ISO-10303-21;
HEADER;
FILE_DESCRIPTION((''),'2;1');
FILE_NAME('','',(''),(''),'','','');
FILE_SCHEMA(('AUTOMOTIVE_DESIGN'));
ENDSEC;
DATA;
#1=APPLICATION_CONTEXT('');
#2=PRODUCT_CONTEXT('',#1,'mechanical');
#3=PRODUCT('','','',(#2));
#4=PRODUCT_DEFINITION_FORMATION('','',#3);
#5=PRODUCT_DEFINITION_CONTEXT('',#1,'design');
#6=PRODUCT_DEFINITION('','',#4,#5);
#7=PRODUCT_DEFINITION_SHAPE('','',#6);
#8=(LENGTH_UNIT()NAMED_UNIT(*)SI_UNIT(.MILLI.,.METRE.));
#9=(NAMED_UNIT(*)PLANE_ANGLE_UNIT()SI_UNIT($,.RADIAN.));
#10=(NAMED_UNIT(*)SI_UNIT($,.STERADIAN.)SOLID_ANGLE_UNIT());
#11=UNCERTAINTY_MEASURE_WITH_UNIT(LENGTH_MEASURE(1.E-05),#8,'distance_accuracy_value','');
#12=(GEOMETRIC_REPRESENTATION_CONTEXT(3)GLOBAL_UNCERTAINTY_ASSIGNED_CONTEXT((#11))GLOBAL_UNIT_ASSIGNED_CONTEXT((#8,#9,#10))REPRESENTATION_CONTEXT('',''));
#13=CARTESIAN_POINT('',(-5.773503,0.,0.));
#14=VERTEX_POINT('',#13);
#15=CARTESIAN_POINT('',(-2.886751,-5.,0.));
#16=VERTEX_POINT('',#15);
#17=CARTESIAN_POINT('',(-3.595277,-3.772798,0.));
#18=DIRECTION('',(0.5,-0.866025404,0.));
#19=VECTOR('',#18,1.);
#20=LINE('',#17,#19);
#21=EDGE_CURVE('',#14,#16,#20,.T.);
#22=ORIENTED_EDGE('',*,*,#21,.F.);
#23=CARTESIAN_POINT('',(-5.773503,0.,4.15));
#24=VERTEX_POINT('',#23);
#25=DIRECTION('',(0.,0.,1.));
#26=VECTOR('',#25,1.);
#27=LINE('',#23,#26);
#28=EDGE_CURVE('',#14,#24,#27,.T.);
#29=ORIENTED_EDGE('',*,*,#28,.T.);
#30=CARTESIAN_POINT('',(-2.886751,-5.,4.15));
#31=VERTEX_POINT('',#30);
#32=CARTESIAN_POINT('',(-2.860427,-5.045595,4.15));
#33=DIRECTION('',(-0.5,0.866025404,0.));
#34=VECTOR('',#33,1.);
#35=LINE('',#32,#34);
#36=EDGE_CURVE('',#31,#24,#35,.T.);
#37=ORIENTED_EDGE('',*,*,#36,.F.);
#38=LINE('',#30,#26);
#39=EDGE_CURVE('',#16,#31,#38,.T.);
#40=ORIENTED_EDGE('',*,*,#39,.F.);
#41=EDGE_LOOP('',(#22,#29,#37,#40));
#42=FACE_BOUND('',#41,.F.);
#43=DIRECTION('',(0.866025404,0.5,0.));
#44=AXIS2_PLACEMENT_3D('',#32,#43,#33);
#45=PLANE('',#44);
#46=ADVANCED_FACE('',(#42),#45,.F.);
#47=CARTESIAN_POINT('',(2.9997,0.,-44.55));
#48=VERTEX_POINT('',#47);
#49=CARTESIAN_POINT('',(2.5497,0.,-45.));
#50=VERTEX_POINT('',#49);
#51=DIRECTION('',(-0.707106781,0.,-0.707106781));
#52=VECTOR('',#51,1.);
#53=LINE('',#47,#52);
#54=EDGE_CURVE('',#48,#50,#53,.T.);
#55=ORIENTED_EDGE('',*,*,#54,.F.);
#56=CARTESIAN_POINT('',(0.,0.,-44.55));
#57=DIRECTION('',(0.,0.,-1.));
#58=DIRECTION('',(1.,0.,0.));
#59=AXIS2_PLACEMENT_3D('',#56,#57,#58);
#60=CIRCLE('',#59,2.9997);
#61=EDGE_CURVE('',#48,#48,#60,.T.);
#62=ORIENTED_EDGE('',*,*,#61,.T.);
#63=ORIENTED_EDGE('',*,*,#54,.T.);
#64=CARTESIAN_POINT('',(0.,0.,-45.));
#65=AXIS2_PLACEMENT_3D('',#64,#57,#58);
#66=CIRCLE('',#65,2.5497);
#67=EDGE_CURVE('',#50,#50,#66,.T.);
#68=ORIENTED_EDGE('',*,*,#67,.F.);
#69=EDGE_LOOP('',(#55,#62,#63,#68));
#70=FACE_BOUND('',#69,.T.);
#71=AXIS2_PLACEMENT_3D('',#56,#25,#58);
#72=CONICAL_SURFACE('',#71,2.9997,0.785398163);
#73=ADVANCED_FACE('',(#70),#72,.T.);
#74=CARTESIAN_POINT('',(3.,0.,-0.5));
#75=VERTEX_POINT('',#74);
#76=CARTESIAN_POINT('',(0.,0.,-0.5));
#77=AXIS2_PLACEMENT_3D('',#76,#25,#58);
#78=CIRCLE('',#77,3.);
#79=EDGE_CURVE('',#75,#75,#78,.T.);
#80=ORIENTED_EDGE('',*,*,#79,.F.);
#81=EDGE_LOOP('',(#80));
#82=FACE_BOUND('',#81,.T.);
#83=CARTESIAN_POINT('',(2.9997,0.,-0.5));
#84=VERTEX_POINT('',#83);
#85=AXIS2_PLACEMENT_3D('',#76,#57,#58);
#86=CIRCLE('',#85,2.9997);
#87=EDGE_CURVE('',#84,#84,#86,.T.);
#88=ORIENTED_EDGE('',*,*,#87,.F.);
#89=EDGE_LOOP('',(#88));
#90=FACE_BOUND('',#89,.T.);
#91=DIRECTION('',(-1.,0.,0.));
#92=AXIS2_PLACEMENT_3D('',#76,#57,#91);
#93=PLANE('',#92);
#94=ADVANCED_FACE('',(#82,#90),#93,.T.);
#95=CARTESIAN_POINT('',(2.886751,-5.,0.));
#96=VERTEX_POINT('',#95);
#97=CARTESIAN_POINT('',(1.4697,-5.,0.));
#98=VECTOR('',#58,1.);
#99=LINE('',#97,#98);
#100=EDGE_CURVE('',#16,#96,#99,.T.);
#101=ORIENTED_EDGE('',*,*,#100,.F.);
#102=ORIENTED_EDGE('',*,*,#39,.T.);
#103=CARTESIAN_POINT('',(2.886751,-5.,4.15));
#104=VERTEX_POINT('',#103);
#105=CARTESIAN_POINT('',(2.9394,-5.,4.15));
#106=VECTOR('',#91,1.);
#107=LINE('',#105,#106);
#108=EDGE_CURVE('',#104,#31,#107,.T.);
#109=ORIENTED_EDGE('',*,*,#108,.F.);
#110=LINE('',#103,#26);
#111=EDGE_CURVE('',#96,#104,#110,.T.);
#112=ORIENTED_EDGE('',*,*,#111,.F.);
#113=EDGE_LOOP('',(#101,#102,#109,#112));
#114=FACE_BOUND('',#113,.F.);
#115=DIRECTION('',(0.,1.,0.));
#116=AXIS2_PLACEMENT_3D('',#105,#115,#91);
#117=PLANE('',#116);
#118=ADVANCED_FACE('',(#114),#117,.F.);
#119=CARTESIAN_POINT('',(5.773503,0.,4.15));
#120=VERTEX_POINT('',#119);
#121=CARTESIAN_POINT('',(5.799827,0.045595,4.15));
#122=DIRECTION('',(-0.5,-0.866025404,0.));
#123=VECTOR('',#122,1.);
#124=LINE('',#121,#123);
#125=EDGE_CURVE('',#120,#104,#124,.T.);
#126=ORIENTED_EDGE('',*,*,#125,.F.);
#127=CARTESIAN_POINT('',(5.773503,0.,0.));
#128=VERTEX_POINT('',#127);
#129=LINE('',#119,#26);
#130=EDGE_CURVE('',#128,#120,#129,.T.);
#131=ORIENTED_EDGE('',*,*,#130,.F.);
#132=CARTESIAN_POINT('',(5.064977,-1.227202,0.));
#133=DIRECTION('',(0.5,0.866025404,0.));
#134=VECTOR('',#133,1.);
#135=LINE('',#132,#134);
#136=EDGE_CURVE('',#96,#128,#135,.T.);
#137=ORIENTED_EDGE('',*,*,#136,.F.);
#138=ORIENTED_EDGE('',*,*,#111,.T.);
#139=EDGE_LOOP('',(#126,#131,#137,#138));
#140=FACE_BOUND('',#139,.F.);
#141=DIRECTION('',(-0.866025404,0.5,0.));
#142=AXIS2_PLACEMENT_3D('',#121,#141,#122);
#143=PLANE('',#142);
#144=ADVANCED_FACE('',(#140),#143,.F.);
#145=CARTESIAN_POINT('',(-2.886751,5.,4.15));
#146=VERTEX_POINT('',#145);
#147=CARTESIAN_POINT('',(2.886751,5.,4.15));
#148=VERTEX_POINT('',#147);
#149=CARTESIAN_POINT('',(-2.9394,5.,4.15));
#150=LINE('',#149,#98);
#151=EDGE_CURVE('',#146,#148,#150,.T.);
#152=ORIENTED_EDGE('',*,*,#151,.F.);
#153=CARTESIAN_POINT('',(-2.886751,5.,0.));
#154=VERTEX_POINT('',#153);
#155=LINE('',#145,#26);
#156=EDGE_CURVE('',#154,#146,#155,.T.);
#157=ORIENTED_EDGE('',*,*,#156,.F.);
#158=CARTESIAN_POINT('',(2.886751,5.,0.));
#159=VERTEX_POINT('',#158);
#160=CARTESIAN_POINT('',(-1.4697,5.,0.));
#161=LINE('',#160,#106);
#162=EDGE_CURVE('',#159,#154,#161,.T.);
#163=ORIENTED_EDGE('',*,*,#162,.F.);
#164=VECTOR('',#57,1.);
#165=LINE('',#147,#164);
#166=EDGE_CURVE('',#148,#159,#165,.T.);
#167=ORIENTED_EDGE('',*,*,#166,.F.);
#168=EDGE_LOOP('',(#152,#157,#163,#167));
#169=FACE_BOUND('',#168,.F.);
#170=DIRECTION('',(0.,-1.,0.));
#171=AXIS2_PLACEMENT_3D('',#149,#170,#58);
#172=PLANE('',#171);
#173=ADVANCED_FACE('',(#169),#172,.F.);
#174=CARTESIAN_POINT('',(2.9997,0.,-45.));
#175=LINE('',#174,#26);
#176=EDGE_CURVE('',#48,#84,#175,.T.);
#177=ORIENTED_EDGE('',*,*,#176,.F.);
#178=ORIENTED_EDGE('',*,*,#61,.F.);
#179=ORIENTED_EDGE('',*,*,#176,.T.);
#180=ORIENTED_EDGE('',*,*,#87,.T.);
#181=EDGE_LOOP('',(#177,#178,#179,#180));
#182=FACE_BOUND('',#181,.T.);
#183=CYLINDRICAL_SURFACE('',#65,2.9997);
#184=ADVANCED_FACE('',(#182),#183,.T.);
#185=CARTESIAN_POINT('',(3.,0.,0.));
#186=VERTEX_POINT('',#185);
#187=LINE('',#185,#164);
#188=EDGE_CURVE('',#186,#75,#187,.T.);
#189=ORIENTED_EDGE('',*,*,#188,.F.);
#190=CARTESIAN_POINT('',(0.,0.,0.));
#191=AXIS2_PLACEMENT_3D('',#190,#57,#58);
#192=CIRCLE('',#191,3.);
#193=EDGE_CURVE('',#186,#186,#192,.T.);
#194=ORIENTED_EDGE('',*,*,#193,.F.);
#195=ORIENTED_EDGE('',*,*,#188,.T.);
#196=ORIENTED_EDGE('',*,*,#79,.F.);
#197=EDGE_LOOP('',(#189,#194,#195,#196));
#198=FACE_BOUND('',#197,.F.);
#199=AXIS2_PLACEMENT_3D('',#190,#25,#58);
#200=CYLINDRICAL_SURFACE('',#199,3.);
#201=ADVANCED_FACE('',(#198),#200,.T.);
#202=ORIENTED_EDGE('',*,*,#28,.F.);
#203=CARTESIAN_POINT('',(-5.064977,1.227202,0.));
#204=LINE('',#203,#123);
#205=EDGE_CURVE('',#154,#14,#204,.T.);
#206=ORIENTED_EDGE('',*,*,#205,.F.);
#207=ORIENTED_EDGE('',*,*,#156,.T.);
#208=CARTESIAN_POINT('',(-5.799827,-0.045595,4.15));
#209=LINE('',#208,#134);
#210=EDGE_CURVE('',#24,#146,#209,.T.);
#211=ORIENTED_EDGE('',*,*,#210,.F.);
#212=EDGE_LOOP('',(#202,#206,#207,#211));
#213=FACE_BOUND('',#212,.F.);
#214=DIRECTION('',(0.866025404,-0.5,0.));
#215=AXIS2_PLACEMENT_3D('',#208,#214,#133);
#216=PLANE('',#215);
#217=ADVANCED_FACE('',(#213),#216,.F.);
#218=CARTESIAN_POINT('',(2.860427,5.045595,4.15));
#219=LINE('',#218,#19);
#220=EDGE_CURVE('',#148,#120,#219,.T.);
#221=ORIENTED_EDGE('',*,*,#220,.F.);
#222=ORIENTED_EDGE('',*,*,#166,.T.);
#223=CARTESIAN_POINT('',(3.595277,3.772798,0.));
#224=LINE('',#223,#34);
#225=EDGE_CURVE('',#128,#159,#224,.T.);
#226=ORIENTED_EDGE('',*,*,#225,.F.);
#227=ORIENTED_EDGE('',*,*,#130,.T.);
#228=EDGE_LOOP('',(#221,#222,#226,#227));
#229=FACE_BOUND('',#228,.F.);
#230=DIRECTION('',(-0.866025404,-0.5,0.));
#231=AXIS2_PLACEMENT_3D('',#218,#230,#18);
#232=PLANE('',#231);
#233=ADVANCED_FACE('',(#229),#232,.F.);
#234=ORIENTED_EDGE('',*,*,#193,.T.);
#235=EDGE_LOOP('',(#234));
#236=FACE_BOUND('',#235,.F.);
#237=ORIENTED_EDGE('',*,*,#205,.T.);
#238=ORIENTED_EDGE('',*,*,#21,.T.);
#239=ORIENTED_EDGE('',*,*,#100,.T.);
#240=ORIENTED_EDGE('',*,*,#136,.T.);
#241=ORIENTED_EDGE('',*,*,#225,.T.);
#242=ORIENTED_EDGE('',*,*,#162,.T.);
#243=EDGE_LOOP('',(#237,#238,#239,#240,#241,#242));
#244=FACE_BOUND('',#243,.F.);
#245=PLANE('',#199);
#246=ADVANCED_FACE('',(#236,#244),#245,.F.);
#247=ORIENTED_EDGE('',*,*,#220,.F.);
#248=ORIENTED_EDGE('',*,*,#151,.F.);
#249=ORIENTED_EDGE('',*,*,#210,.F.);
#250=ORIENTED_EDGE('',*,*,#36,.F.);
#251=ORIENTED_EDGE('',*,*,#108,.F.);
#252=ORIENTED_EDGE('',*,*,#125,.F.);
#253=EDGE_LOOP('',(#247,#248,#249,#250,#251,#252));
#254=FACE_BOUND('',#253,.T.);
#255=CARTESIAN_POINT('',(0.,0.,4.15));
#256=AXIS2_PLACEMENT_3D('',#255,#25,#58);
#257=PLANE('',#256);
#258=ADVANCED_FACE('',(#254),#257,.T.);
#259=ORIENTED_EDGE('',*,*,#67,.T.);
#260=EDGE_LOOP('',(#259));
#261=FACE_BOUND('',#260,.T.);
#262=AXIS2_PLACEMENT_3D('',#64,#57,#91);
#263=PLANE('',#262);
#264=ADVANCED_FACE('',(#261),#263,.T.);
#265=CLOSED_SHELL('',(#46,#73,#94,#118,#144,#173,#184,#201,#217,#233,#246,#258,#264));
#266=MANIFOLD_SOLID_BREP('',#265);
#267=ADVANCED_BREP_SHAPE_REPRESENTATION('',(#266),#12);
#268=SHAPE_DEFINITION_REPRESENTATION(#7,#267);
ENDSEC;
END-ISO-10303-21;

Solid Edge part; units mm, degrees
sketch "Sketch1" plane through (0, 0, 0) normal (0, 0, 1) x (1, 0, 0)
  circle A0 centre (0, 0) radius 5.8
  dimension "D1" = 11.6
extrude "Protrusion1" add sketch "Sketch1" along normal blind 4.15
sketch "Sketch2" plane through (0, 0, 0) normal (0, 0, -1) x (1, 0, 0)
  circle A0 centre (0, 0) radius 3
extrude "Protrusion2" add sketch "Sketch2" along normal blind 45
sketch "Sketch3" plane through (0, 0, -45) normal (0, 0, -1) x (1, 0, 0)
  circle A0 centre (0, 0) radius 2.9997
extrude "Cutout1" cut sketch "Sketch3" against normal blind 44.5 flip side to cut
chamfer "Chamfer_1" distance 0.45 angle 45 1 edges at (-2.9997, 0, -45)
sketch "Sketch4" plane through (0, 0, 4.15) normal (0, 0, 1) x (1, 0, 0)
  line L0 (-2.9394, 5) -> (2.9394, 5)
  dimension "D1" = 10
extrude "Cutout2" cut sketch "Sketch4" against normal up to next material side at (0, 5.05, 4.15)
pattern_circular "Pattern1" count 6 over 360 about axis through (0, 0, 4.15) along (0, 0, 1) of "Cutout2"
properties part number "161335"
